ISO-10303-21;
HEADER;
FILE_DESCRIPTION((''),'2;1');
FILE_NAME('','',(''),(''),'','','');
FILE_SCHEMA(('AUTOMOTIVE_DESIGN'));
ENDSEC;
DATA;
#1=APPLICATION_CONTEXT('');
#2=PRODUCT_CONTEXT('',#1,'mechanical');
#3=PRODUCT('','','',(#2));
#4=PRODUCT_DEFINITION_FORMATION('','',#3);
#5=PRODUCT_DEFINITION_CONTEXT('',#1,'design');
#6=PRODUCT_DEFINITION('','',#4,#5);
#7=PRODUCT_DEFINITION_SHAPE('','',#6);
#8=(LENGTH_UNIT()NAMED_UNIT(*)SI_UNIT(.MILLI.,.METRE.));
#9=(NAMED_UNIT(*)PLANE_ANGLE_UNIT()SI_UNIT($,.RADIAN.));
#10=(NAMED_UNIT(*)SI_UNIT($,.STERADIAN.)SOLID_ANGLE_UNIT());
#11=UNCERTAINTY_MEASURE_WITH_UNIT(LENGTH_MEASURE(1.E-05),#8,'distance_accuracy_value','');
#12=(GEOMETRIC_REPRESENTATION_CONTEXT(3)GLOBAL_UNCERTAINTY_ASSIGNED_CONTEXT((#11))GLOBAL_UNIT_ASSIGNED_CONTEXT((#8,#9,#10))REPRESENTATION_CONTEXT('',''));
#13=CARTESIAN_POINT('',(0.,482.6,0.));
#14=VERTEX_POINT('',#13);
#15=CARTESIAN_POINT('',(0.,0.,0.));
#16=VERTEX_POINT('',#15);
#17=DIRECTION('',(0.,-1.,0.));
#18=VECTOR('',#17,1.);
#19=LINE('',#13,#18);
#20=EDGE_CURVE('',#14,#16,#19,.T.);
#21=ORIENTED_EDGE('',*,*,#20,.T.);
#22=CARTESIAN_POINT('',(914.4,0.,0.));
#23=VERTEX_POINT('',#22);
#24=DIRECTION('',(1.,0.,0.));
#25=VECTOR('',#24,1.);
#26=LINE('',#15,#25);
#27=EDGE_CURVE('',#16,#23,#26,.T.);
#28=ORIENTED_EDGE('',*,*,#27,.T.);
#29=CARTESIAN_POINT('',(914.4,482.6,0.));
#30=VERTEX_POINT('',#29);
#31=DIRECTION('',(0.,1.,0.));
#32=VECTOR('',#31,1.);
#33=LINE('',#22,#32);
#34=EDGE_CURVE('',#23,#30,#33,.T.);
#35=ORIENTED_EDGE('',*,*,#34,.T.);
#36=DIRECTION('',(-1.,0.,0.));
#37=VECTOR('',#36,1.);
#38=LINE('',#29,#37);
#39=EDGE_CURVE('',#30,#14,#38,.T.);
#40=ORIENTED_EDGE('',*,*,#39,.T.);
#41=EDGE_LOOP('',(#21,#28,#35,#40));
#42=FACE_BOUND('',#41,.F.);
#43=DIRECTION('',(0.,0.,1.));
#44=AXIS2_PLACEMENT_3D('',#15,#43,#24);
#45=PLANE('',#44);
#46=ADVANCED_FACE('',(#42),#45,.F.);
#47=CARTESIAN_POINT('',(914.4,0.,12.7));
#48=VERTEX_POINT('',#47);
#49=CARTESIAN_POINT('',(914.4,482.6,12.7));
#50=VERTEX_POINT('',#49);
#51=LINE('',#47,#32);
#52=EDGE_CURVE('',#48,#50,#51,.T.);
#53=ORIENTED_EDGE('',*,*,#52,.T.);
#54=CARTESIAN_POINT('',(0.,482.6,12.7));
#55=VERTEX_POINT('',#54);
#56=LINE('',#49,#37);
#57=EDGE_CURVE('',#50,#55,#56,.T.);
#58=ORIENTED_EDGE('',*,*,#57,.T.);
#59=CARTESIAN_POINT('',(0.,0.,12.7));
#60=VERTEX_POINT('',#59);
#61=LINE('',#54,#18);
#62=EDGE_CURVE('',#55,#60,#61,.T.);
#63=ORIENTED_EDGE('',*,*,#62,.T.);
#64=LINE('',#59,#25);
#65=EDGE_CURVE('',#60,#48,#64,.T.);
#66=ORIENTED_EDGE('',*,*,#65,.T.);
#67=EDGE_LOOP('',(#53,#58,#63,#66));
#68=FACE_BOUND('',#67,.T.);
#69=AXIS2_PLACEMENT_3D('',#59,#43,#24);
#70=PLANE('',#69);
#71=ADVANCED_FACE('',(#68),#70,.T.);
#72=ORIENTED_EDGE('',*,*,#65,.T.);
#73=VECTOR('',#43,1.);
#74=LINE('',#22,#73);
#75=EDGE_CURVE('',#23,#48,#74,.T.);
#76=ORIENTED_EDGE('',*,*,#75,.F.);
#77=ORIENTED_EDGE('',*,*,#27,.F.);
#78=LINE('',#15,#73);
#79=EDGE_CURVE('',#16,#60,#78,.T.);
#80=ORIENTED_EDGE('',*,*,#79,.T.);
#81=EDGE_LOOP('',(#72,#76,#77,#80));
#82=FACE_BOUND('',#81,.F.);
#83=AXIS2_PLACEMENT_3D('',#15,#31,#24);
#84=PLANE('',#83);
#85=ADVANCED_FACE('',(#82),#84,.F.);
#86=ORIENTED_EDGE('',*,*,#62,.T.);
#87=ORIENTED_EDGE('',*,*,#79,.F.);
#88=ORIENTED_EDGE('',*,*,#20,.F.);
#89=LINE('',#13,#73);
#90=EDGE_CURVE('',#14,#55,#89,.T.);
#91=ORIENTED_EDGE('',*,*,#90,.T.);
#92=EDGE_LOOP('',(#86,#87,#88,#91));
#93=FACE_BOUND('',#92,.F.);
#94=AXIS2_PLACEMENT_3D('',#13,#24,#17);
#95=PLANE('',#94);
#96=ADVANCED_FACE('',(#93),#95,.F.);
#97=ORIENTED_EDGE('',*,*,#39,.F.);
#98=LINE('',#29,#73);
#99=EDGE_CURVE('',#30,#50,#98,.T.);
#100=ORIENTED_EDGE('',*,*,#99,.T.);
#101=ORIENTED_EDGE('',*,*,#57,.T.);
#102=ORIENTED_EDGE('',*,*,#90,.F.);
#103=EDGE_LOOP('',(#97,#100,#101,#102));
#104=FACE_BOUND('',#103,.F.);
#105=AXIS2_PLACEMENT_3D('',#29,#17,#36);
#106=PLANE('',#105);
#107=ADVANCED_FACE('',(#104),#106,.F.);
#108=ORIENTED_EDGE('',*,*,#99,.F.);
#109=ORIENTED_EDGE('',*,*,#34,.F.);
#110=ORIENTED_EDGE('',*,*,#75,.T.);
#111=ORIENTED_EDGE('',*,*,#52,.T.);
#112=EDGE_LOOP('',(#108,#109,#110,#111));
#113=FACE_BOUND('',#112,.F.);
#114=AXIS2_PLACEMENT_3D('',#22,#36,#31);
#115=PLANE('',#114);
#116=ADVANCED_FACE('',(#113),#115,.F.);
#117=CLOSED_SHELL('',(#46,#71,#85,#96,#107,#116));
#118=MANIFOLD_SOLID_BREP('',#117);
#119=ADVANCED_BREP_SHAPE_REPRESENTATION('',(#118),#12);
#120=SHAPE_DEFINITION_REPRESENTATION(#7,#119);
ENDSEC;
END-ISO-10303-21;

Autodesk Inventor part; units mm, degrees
ref_plane "YZ Plane" through (0, 0, 0) normal (1, 0, 0) x (0, 1, 0)
ref_plane "XZ Plane" through (0, 0, 0) normal (0, 1, 0) x (-1, 0, 0)
ref_plane "XY Plane" through (0, 0, 0) normal (0, 0, 1) x (1, 0, 0)
sketch "Sketch1" plane through (0, 0, 0) normal (0, 0, 1) x (1, 0, 0)
  line L0 (0, 0) -> (914.4, 0)
  line L1 (914.4, 0) -> (914.4, 482.6)
  line L2 (914.4, 482.6) -> (0, 482.6)
  line L3 (0, 482.6) -> (0, 0)
  dimension "d0" = 914.4
  dimension "d1" = 482.6
extrude "Extrusion1" add sketch "Sketch1" along normal blind 12.7
properties part number "base short wall back"
